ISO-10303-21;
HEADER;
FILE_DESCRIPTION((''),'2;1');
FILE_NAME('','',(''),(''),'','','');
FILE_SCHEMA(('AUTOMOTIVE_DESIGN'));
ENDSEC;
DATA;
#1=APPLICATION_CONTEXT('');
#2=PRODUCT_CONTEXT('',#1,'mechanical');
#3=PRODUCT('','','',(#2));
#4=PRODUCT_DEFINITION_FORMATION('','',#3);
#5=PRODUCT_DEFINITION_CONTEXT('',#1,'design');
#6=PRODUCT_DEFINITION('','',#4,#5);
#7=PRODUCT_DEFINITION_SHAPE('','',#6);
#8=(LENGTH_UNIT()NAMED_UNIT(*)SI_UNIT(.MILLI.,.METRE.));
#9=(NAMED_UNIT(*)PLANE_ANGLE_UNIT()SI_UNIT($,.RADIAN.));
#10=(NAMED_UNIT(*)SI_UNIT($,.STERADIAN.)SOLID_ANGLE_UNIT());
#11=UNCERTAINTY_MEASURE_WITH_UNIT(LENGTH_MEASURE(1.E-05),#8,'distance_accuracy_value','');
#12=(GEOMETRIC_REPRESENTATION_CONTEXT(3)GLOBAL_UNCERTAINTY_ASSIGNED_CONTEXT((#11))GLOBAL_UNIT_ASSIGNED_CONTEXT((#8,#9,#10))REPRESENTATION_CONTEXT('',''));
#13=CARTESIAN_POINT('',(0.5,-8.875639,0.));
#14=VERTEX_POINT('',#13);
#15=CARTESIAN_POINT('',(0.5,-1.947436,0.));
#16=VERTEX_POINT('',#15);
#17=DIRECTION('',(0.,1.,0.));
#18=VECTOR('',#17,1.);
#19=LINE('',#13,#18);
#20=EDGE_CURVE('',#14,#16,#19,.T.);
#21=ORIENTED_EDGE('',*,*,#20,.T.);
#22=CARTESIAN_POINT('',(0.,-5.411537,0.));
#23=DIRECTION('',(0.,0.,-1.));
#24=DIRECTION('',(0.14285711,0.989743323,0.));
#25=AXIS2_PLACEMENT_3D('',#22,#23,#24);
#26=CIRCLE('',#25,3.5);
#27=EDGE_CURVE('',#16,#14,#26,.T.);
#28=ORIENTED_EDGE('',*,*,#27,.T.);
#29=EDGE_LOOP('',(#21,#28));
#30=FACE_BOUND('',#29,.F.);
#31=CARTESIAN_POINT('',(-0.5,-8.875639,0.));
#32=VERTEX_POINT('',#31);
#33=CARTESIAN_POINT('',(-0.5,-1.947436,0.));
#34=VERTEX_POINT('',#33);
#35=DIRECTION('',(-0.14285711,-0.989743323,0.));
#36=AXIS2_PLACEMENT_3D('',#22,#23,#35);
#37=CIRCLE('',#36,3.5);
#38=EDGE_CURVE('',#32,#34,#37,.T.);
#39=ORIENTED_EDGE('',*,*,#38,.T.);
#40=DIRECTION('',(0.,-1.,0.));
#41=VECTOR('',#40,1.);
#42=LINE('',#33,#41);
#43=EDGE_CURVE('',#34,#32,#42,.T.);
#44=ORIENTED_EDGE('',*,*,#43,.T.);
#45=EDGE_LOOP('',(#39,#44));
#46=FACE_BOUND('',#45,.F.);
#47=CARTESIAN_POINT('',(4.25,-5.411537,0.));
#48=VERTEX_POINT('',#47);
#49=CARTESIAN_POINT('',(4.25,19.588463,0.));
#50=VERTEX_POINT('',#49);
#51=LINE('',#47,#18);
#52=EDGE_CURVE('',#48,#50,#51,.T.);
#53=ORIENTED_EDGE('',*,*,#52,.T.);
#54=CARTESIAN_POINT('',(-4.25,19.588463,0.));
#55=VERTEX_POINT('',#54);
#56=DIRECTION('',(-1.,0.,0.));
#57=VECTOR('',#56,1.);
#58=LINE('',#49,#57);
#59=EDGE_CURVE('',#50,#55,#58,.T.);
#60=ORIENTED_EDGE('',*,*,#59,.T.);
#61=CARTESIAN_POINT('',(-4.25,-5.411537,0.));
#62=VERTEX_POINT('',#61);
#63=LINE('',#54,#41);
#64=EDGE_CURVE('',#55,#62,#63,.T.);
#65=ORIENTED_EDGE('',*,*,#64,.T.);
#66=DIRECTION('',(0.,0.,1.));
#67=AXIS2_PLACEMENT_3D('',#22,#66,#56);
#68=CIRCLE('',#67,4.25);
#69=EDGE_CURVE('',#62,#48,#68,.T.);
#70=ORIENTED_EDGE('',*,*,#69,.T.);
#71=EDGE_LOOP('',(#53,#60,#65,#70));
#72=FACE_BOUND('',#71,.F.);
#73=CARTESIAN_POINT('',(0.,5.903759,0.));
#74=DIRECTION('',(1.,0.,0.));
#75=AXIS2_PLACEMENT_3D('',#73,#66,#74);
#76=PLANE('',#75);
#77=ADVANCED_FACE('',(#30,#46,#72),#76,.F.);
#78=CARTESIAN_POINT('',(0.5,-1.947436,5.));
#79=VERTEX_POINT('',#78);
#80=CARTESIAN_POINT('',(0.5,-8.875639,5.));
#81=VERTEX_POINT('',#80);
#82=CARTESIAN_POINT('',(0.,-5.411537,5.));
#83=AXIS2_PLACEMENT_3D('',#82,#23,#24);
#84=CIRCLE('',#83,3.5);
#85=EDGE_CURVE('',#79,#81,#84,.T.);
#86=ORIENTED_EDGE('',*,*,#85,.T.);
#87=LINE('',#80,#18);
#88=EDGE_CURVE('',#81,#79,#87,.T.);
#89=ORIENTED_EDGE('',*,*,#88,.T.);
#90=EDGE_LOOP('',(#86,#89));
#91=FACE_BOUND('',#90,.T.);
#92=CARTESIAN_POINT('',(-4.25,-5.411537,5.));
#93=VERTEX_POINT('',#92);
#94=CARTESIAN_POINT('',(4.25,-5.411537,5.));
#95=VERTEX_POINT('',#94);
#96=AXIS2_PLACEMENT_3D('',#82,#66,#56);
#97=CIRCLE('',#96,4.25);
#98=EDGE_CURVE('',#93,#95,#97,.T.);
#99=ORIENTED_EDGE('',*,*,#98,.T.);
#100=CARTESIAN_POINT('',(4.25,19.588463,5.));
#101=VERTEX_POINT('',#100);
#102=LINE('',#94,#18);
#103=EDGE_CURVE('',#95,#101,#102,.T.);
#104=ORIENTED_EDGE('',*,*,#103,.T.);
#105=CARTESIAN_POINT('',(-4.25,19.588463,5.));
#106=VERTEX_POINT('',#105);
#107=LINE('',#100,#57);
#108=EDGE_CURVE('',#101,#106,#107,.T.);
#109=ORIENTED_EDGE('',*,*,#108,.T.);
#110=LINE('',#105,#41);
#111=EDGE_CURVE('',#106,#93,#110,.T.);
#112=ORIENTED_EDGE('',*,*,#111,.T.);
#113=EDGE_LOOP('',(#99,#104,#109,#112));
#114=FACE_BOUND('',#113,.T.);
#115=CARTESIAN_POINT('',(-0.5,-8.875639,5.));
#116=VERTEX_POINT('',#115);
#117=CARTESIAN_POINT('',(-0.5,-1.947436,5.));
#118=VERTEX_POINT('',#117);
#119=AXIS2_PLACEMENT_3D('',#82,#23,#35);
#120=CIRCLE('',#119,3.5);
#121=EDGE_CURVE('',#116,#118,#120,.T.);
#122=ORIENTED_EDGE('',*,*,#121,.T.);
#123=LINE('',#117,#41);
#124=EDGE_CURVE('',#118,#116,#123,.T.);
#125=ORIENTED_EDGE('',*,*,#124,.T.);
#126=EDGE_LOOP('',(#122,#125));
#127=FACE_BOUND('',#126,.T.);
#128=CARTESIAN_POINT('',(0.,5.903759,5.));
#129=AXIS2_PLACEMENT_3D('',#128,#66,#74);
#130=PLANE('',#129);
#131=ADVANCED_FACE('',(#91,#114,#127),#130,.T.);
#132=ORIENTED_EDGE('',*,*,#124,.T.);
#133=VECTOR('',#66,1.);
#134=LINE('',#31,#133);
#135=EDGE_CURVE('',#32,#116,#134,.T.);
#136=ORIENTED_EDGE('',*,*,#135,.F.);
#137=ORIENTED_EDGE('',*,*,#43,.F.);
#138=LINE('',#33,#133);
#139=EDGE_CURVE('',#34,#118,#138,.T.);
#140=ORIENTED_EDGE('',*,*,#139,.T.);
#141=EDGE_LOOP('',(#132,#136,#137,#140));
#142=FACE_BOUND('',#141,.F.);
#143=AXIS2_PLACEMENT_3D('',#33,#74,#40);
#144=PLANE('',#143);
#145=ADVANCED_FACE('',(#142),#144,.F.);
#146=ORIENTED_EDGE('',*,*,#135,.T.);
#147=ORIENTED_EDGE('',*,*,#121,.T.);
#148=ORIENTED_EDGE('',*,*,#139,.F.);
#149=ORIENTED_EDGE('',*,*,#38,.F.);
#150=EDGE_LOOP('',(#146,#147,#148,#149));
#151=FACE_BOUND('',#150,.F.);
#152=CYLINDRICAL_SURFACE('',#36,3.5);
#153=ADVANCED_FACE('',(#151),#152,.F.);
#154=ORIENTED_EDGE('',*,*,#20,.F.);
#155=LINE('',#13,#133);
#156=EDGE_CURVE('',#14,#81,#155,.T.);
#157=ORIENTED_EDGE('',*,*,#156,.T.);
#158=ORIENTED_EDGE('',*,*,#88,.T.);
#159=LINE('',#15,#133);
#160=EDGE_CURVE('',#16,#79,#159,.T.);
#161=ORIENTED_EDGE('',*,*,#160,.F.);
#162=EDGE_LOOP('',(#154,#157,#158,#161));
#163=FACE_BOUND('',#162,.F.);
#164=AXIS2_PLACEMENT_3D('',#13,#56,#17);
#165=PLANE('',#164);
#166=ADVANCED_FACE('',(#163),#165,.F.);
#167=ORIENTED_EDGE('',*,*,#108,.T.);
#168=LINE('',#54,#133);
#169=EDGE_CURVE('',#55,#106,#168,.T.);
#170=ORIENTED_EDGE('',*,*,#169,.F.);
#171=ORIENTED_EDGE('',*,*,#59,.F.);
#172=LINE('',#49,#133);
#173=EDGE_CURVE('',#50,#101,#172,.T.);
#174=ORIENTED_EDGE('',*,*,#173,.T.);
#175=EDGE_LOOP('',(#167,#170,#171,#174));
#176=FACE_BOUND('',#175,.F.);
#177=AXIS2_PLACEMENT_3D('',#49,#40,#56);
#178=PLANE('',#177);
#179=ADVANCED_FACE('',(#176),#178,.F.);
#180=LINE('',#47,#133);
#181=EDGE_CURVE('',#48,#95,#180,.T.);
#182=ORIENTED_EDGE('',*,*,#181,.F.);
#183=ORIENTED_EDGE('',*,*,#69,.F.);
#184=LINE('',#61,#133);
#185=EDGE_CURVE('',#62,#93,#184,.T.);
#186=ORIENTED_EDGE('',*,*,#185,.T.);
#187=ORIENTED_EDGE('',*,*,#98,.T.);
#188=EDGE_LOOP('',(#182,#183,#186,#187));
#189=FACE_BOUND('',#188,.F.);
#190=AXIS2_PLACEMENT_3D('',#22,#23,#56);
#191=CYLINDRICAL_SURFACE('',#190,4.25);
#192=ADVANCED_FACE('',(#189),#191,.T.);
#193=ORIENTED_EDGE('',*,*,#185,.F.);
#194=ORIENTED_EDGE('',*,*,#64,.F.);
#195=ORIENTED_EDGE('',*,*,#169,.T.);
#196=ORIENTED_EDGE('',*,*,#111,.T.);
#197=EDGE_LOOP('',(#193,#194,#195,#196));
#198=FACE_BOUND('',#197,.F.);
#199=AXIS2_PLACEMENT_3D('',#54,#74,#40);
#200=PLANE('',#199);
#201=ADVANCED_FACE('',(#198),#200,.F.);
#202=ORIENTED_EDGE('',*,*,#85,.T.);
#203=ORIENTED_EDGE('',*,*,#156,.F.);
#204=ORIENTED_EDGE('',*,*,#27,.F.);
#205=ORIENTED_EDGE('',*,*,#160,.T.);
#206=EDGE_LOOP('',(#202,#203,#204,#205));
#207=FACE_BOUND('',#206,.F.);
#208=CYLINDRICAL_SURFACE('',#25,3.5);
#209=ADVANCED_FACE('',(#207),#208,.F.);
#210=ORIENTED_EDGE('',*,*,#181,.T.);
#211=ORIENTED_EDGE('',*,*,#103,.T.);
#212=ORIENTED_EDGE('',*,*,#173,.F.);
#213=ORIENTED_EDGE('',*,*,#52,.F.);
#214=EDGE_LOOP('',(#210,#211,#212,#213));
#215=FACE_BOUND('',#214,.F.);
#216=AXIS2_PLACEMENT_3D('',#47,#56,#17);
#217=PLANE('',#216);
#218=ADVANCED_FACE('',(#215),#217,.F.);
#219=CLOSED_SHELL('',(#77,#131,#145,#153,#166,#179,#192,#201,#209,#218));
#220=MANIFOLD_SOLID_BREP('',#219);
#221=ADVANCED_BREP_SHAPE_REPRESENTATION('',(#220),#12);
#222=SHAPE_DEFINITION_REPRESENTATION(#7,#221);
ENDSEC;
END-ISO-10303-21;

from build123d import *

# Parameters (mm, degrees)
F1_DEPTH = 5


with BuildPart() as f1:
    # F0 (on Top) → F1 (new body)
    with BuildSketch(Plane.XY):
        with BuildLine():
            Line((-4.25, 19.588463), (-4.25, -5.411537))
            ThreePointArc((-4.25, -5.411537), (0, -9.661537), (4.25, -5.411537))
            Line((4.25, -5.411537), (4.25, 19.588463))
            Line((4.25, 19.588463), (-4.25, 19.588463))
        make_face()
        with BuildLine():
            Line((-0.5, -1.947436), (-0.5, -2.962048))
            Line((-0.5, -2.962048), (-0.5, -7.861027))
            Line((-0.5, -7.861027), (-0.5, -8.875639))
            ThreePointArc((-0.5, -8.875639), (-3.5, -5.411537), (-0.5, -1.947436))
        make_face(mode=Mode.SUBTRACT)
        with BuildLine():
            Line((0.5, -7.861027), (0.5, -2.962048))
            Line((0.5, -2.962048), (0.5, -1.947436))
            ThreePointArc((0.5, -1.947436), (3.5, -5.411537), (0.5, -8.875639))
            Line((0.5, -8.875639), (0.5, -7.861027))
        make_face(mode=Mode.SUBTRACT)
    extrude(amount=F1_DEPTH)


solid = f1.part
